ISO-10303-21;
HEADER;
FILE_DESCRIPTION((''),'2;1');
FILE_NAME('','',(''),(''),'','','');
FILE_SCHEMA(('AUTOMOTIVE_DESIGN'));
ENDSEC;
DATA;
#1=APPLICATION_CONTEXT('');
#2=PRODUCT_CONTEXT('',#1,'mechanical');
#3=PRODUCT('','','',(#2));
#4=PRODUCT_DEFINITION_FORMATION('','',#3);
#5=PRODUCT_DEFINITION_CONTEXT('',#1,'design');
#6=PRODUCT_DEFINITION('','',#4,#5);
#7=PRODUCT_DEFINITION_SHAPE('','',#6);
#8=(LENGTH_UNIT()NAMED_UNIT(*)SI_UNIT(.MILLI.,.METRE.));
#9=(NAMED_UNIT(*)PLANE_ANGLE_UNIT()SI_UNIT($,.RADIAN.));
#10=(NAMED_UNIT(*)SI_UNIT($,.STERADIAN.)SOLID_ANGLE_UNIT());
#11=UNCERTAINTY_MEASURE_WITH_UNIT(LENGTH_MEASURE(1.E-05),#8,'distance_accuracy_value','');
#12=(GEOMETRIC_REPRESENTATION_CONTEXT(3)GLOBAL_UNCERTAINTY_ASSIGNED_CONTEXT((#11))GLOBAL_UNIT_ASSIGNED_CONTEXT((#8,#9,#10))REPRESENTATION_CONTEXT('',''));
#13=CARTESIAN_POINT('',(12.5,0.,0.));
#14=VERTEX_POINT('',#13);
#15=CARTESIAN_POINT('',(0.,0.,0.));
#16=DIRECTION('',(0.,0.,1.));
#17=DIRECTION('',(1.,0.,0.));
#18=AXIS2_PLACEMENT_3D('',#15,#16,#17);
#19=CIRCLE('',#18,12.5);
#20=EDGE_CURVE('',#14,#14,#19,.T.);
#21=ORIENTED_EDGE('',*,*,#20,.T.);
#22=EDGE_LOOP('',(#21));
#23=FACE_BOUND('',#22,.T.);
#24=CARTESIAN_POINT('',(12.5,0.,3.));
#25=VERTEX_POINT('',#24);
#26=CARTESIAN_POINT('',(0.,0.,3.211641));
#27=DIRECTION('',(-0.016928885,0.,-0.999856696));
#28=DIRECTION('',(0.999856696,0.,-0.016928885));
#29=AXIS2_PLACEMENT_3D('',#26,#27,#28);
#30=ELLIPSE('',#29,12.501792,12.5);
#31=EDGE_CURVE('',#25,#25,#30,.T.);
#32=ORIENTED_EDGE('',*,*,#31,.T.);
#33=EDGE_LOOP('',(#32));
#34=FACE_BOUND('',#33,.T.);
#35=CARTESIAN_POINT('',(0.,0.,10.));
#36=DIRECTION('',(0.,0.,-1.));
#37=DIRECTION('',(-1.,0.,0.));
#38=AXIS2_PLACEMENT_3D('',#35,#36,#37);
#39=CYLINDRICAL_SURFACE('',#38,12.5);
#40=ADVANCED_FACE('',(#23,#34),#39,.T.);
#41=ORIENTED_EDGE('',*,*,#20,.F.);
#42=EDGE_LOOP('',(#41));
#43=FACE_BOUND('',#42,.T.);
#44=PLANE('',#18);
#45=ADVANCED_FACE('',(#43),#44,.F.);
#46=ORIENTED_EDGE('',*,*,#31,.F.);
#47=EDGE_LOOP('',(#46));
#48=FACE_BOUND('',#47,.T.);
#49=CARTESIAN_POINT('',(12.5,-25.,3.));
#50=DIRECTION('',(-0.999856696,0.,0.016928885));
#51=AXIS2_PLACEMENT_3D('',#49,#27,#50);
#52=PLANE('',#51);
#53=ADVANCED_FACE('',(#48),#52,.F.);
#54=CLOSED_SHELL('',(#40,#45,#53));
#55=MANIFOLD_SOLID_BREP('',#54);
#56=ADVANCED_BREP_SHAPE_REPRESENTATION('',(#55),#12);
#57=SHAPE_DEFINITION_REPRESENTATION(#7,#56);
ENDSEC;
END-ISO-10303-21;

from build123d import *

# Parameters (mm, degrees)
SKETCH_1_R          = 12.5
EXTRUDE_1_DEPTH     = 10
CUT_EXTRUDE_1_DEPTH = 25


with BuildPart() as part:
    # 草图1 → 凸台-拉伸1 (new body)
    with BuildSketch(Plane.XY):
        Circle(SKETCH_1_R)
    extrude(amount=EXTRUDE_1_DEPTH)

    # 草图2 → 切除-拉伸1 (cut, symmetric)
    with BuildSketch(Plane(origin=(0, 0, 0), x_dir=(1, 0, 0), z_dir=(0, 1, 0))):
        Polygon((12.5, -3), (-16.637968604, -3.493344019), (-16.637968604, -14.431177009), (17.770862478, -14.431177009), (17.770862478, -3), align=None)
    extrude(amount=CUT_EXTRUDE_1_DEPTH, both=True, mode=Mode.SUBTRACT)


solid = part.part
